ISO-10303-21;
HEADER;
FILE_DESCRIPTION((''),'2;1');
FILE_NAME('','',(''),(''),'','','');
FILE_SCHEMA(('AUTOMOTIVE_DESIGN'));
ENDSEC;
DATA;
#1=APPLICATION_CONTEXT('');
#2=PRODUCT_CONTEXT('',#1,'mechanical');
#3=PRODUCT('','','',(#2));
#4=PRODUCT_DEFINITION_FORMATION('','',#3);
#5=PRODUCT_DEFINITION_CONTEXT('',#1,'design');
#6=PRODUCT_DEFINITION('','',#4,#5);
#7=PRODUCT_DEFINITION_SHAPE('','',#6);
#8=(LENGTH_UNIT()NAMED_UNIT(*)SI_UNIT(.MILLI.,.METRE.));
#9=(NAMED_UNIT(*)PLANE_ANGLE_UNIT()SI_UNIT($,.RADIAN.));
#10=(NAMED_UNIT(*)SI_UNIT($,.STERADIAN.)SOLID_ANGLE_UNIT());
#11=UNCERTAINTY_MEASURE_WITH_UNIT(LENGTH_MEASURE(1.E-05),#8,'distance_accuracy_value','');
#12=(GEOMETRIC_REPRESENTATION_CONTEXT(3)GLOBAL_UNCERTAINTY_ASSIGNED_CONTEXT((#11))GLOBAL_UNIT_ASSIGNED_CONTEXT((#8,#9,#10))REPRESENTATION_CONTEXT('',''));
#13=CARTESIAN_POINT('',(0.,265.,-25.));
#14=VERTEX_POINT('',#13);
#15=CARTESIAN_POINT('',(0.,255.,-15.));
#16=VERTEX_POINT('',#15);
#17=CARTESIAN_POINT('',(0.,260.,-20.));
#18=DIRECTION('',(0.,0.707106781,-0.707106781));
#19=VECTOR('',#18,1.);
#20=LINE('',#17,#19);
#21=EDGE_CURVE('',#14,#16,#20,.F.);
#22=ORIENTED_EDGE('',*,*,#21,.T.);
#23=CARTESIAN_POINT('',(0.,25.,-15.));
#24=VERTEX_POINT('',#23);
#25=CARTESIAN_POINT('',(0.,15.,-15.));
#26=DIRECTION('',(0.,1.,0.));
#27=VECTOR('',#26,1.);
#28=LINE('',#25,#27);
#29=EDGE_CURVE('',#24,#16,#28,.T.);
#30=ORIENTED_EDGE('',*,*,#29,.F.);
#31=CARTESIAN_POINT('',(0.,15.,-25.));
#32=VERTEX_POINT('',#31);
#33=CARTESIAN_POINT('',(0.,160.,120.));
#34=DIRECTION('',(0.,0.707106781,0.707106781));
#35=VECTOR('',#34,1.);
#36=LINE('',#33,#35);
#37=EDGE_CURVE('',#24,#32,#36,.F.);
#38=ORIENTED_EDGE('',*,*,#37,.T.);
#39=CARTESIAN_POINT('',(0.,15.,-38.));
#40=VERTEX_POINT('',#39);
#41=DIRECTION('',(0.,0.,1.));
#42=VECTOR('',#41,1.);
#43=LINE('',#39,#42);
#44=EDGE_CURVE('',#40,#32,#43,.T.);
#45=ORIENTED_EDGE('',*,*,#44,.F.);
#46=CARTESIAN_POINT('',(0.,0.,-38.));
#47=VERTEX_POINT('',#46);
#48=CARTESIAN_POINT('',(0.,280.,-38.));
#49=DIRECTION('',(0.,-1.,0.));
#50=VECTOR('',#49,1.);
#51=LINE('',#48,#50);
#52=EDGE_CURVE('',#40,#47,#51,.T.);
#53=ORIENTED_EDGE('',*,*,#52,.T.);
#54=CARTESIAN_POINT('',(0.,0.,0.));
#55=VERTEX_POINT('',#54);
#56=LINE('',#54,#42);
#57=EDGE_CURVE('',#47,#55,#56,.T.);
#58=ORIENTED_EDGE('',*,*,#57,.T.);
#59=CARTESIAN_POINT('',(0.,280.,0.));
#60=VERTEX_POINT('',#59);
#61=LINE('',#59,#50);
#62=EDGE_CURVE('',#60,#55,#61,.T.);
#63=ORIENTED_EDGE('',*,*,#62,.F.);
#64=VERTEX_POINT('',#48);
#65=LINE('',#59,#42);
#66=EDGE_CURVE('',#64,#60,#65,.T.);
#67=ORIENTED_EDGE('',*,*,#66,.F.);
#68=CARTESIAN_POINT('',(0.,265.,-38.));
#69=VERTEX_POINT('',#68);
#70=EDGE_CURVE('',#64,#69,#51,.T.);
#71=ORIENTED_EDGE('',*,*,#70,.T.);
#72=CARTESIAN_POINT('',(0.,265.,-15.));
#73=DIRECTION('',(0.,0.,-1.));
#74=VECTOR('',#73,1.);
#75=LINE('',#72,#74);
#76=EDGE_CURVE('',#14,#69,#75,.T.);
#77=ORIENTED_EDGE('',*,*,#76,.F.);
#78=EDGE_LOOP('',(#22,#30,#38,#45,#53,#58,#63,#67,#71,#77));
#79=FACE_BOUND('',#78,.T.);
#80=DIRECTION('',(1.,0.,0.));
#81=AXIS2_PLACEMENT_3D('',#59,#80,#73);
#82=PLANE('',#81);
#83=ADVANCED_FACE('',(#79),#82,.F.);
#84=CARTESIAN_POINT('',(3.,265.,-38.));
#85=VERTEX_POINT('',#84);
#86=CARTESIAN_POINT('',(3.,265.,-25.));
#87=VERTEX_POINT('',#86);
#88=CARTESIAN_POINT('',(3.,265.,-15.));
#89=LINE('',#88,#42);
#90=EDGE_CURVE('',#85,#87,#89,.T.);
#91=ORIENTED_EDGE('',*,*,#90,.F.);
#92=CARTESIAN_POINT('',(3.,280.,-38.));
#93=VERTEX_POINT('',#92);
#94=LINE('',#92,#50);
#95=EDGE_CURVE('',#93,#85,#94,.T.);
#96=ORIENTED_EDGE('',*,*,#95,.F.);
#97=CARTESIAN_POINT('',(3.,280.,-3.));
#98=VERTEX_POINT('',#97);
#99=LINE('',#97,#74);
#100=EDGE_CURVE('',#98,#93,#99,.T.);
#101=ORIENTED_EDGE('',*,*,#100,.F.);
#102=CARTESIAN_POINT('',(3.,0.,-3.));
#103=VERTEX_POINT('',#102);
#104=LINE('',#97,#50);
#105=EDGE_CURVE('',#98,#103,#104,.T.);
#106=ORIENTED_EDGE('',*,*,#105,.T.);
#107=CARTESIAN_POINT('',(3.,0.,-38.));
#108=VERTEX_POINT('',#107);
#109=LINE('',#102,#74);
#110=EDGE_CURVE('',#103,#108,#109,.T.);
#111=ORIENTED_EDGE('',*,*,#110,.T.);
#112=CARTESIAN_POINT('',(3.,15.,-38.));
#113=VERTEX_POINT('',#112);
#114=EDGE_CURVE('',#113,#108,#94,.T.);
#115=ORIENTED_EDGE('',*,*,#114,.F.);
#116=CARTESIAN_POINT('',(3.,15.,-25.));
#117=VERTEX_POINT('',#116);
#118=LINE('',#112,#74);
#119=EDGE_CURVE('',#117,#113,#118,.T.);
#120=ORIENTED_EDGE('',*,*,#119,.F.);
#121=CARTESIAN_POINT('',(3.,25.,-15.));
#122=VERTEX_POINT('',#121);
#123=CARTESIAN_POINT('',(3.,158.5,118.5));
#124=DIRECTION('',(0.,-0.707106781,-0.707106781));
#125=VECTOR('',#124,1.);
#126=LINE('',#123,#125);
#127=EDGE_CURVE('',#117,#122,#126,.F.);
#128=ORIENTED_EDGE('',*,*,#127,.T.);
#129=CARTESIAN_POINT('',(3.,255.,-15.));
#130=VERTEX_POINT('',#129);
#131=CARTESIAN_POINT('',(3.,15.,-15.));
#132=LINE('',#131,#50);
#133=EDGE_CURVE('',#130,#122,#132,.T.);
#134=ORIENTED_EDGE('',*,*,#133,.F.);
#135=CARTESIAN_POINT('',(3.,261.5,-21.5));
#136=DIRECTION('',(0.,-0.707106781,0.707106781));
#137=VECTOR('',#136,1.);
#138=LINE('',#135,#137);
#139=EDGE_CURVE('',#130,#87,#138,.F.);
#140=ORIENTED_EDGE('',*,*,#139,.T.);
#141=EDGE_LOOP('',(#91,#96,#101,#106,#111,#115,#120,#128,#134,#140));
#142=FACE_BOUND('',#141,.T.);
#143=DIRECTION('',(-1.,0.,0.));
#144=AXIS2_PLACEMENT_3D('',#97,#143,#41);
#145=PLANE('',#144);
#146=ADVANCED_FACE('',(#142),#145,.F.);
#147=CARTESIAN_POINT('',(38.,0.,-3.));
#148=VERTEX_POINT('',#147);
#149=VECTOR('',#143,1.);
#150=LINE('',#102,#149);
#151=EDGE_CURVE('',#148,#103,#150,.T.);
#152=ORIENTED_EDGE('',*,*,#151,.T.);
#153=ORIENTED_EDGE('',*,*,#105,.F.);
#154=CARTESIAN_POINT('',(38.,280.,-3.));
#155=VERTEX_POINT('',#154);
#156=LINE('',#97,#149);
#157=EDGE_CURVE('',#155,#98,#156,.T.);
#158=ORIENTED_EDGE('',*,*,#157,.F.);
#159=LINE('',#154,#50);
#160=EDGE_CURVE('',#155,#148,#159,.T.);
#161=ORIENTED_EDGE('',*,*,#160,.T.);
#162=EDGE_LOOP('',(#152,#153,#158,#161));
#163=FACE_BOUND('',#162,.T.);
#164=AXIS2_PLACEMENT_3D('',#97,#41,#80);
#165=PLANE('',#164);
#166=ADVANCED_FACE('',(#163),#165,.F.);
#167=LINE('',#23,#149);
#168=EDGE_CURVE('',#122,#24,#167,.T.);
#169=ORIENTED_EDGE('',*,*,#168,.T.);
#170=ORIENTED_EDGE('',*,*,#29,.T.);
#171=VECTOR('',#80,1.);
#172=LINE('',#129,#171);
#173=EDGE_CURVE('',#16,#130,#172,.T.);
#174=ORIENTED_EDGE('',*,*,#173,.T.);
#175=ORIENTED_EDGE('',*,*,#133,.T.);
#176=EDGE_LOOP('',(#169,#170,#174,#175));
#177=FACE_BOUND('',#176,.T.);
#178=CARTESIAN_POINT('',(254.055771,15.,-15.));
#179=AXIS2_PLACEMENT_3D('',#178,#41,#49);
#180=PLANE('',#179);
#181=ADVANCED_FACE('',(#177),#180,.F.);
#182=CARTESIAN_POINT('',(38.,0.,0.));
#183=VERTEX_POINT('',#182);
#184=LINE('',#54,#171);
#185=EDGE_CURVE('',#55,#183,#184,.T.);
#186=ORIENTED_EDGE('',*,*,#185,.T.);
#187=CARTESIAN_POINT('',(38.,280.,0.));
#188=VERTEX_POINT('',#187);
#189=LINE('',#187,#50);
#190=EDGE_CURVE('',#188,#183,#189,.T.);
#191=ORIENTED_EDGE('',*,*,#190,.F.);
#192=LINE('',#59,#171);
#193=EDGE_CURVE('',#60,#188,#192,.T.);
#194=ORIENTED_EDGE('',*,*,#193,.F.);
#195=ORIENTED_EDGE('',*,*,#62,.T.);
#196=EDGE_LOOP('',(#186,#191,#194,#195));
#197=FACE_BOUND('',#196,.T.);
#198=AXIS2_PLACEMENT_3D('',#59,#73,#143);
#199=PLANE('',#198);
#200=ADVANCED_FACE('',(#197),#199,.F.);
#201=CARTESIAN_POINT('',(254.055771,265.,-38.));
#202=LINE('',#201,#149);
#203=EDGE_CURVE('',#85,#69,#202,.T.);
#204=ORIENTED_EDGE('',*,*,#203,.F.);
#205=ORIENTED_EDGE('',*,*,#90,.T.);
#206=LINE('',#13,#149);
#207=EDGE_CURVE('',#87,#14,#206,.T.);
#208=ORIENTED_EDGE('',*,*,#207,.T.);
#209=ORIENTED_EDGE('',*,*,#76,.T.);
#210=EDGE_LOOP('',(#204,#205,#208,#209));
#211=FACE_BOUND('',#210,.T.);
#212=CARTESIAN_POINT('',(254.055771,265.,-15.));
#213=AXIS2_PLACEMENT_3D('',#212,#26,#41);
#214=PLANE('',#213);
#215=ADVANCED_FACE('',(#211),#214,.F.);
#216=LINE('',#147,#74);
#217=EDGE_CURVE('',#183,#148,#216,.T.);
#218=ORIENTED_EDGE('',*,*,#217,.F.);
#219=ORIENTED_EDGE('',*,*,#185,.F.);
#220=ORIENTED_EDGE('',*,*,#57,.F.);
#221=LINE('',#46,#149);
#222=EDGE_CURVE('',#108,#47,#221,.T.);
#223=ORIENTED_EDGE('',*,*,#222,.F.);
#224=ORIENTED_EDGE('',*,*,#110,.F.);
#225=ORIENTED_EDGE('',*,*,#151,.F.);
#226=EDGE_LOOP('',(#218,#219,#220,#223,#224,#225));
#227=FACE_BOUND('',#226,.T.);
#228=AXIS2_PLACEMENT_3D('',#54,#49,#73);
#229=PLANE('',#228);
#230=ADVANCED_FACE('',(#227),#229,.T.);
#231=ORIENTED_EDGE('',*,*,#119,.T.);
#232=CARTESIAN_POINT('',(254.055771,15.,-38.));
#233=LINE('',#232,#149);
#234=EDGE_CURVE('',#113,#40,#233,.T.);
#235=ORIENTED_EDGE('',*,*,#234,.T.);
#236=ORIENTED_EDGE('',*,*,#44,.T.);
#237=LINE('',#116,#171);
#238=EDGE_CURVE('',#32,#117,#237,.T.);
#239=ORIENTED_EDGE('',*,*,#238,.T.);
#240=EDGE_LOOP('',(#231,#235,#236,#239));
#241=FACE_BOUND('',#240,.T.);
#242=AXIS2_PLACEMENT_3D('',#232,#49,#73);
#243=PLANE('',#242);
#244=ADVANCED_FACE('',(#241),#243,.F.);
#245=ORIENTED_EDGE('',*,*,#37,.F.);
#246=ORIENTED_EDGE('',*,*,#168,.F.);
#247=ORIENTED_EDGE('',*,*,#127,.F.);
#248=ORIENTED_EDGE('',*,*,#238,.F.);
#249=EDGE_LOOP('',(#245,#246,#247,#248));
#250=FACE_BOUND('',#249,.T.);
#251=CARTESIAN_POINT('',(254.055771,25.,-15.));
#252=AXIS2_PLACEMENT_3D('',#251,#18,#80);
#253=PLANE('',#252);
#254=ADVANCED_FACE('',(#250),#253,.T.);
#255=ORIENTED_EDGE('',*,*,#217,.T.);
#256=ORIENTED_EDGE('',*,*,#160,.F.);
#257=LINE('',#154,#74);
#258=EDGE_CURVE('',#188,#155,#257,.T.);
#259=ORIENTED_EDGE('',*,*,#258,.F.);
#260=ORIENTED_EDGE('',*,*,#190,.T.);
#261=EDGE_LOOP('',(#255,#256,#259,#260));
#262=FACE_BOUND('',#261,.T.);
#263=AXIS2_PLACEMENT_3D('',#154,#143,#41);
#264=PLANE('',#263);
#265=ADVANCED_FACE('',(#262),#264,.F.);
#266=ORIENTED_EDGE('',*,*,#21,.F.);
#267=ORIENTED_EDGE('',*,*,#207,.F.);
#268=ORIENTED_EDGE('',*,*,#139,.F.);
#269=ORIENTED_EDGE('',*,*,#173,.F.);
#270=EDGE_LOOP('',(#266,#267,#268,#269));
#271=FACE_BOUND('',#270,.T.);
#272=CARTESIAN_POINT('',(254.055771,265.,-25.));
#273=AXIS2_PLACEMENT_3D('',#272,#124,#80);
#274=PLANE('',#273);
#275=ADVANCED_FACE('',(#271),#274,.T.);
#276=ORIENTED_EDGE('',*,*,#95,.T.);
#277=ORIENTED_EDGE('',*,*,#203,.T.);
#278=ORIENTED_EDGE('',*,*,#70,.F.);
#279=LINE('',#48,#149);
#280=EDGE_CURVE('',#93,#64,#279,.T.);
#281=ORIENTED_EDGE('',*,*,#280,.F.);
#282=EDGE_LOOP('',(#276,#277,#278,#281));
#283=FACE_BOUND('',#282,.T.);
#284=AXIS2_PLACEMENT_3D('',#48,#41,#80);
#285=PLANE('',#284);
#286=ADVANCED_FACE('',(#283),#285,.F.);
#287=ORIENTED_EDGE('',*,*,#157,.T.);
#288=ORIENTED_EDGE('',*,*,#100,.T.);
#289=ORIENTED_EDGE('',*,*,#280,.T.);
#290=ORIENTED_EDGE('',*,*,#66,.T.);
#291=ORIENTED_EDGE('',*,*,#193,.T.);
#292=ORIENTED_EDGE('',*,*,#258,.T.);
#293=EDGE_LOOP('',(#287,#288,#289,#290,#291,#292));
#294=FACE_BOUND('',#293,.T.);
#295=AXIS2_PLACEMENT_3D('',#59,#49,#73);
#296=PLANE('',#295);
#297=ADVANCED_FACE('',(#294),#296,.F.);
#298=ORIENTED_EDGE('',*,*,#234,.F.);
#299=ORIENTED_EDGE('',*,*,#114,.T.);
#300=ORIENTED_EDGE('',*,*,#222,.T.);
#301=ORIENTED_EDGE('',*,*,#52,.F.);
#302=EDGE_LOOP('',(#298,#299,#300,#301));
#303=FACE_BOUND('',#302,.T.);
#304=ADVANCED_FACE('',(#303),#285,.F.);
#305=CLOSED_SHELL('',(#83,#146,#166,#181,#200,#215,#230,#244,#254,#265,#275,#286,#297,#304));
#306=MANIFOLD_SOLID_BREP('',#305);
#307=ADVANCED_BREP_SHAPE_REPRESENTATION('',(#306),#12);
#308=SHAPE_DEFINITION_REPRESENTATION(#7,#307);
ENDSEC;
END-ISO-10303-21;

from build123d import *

# Parameters (mm, degrees)
SALIENTE_EXTRUIR1_DEPTH = 280
CROQUIS2_W              = 23
CROQUIS2_H              = 250
CORTAR_EXTRUIR1_DEPTH   = 3
CHAFL_N1_SIZE           = 10


with BuildPart() as part:
    # Croquis1 → Saliente-Extruir1 (new body)
    with BuildSketch(Plane(origin=(0, 0, 0), x_dir=(1, 0, 0), z_dir=(0, 1, 0))):
        Polygon((0, 0), (0, 38), (3, 38), (3, 3), (38, 3), (38, 0), align=None)
    extrude(amount=SALIENTE_EXTRUIR1_DEPTH)

    # Croquis2 → Cortar-Extruir1 (cut)
    with BuildSketch(Plane.ZY):
        with Locations((-26.5, 140)):
            Rectangle(CROQUIS2_W, CROQUIS2_H)
    extrude(amount=-CORTAR_EXTRUIR1_DEPTH, mode=Mode.SUBTRACT)

    # Chaflán1
    chafl_n1_edges = [part.edges().sort_by_distance(p)[0] for p in [
        (1.5, 265, -15),
        (1.5, 15, -15),
    ]]
    chamfer(chafl_n1_edges, length=CHAFL_N1_SIZE)


solid = part.part
